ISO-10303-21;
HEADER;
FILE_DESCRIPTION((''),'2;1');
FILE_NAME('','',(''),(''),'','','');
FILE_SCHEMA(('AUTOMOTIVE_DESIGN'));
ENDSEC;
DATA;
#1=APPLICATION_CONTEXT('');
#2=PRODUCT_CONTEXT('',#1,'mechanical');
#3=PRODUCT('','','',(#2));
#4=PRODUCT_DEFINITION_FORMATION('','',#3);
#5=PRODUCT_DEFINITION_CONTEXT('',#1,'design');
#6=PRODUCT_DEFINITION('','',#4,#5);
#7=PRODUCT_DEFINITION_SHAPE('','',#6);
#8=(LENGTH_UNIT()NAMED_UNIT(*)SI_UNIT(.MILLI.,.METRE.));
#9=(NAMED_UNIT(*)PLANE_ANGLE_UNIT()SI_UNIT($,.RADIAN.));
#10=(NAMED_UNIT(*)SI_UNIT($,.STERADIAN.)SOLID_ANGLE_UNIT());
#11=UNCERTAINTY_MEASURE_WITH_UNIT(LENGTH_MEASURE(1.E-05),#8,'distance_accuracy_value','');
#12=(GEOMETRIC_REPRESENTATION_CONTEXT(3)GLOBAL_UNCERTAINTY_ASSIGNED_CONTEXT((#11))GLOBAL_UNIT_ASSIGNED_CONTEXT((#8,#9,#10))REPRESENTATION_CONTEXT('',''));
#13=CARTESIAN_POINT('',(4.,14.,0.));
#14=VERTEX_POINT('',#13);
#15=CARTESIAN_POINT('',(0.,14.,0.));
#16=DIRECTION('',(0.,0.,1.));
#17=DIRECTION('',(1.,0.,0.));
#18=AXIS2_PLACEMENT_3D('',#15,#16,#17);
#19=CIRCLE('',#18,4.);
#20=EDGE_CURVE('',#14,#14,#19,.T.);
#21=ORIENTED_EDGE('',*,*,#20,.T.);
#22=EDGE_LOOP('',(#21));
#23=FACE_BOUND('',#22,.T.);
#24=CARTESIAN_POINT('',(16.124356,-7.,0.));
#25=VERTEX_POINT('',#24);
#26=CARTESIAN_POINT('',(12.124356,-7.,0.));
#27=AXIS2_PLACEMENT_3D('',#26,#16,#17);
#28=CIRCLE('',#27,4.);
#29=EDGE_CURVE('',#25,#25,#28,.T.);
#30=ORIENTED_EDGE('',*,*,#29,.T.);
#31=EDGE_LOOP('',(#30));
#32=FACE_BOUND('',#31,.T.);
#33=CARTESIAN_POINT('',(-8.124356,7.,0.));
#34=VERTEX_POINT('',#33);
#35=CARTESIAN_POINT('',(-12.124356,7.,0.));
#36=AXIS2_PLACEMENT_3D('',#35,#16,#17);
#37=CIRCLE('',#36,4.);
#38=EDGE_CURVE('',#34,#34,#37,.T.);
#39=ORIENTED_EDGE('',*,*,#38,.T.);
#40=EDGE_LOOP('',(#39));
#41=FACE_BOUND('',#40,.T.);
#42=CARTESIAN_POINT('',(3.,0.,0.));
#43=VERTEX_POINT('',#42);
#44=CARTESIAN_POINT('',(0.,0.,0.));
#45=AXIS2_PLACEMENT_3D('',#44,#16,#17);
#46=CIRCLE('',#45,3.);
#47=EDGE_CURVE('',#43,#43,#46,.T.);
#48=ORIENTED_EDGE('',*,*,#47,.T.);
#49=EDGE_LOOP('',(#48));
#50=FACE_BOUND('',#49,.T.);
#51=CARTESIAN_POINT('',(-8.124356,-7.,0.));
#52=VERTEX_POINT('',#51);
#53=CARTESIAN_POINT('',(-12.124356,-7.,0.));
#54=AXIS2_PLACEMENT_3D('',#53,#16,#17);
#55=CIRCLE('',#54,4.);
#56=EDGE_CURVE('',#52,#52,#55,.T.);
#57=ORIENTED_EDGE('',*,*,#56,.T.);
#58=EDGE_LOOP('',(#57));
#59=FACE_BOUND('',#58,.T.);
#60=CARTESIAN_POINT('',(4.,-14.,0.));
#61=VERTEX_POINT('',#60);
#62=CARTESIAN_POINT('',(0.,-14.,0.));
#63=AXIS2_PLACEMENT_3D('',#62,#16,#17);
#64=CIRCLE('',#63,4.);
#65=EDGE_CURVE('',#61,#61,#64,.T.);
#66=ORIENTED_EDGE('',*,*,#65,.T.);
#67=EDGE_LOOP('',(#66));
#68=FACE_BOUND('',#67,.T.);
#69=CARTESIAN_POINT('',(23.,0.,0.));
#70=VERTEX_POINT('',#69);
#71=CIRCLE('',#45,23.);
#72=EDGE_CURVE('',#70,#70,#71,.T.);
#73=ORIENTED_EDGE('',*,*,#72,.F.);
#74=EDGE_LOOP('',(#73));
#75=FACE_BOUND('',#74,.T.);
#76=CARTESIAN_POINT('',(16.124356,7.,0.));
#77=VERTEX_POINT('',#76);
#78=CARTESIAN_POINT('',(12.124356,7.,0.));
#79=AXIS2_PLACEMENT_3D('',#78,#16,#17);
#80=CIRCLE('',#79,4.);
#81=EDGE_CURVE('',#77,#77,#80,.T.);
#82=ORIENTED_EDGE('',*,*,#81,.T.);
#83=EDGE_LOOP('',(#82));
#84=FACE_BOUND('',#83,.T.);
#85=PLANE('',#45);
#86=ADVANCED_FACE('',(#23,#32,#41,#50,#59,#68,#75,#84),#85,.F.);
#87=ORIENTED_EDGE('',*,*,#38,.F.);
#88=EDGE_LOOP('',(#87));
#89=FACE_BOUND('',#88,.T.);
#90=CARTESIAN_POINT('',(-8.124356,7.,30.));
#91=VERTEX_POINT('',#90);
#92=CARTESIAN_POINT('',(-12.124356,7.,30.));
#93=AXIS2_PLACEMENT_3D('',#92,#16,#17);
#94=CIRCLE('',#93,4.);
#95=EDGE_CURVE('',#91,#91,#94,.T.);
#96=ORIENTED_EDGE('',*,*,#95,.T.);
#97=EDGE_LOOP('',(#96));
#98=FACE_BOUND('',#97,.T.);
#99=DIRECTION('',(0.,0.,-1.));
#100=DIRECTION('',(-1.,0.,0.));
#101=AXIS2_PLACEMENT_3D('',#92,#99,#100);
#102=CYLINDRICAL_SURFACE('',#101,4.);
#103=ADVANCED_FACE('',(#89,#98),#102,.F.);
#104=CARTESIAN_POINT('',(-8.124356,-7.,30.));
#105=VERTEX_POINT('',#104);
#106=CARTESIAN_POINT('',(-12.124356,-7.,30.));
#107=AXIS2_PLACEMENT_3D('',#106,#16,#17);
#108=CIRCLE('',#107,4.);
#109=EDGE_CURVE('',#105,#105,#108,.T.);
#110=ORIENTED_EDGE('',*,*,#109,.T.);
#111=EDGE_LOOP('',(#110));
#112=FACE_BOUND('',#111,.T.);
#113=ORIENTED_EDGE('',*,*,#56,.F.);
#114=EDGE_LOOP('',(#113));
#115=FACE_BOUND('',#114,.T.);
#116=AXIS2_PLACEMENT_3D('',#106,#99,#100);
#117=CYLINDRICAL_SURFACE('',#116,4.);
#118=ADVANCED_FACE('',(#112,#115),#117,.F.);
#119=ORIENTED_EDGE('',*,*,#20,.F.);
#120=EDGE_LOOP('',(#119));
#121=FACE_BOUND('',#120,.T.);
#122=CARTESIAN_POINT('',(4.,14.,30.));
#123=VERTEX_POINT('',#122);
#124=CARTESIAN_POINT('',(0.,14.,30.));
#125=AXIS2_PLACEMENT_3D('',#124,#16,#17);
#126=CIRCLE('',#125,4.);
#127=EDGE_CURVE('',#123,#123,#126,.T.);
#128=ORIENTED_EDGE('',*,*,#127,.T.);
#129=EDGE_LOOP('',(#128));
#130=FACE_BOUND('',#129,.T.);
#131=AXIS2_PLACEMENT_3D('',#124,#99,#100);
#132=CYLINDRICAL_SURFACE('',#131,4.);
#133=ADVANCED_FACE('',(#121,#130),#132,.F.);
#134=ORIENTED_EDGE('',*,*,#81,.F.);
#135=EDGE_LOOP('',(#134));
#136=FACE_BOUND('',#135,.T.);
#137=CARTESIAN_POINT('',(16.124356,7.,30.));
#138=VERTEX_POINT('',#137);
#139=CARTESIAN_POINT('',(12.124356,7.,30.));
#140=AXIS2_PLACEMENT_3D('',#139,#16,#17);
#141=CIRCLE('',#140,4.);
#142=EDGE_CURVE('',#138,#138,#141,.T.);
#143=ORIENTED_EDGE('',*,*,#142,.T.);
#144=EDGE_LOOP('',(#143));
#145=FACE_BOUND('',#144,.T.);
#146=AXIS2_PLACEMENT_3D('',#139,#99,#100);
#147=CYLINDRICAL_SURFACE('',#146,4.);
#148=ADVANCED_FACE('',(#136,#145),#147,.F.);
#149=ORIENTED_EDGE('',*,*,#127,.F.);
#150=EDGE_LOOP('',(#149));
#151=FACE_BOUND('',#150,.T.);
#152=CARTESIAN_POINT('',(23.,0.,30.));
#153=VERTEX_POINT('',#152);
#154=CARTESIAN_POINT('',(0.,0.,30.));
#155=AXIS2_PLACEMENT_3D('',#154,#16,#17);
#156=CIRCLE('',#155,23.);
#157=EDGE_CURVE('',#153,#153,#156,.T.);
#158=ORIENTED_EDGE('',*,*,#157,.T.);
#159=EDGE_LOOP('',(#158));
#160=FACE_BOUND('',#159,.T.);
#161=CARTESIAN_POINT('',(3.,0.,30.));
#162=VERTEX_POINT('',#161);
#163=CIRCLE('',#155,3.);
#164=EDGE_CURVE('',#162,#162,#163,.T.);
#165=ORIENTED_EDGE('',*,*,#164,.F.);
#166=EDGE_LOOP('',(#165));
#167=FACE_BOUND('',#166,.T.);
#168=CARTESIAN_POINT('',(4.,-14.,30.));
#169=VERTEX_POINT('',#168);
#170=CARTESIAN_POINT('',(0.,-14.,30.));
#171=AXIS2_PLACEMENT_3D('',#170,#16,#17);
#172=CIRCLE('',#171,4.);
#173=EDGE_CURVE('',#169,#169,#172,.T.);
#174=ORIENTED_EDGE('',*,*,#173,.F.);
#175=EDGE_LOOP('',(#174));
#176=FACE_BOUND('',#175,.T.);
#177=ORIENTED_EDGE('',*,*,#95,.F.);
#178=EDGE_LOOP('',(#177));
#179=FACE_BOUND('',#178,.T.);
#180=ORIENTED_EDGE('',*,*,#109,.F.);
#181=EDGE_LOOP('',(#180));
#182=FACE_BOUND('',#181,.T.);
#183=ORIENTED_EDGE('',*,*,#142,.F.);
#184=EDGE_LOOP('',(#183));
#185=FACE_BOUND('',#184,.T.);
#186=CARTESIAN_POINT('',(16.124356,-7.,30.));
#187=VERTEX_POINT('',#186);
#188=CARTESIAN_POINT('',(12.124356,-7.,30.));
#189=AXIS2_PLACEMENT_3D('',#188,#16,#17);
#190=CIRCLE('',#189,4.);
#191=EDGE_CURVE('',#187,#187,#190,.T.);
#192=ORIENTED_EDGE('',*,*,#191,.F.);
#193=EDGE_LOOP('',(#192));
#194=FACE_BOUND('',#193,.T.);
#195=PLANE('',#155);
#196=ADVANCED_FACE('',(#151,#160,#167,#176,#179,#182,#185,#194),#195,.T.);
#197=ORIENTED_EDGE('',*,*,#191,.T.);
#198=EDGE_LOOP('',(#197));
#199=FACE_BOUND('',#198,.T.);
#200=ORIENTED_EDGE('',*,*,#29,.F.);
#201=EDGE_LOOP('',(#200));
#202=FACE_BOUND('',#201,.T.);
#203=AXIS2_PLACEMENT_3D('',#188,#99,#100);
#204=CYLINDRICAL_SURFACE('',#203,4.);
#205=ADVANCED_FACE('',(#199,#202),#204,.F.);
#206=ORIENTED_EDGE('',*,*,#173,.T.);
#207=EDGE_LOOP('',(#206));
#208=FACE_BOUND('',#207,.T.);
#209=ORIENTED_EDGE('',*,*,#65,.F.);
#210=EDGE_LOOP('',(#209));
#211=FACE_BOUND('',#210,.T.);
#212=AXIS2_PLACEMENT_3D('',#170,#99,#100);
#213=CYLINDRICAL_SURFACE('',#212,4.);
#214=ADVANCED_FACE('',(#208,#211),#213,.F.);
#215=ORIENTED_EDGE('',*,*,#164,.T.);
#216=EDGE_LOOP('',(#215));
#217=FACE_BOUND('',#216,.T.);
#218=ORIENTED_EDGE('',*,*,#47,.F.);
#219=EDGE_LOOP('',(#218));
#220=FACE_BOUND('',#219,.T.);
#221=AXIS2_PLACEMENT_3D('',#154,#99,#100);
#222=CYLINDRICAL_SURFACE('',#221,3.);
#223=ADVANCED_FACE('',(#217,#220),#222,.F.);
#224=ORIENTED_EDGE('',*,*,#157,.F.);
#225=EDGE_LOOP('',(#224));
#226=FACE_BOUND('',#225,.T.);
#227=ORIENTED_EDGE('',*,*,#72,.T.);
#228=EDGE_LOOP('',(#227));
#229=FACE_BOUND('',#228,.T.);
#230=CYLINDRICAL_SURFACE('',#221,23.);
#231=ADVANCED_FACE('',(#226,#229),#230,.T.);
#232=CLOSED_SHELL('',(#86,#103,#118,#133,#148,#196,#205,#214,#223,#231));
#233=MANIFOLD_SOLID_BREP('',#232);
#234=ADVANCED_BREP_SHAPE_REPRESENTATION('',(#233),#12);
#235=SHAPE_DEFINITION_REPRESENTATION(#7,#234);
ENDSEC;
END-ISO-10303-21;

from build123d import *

# Parameters (mm, degrees)
ESQUISSE1_R        = 23
ESQUISSE1_R_2      = 3
ESQUISSE1_R_3      = 4
BOSS_EXTRU_1_DEPTH = 30


with BuildPart() as part:
    # Esquisse1 → Boss.-Extru.1 (new body)
    with BuildSketch(Plane.XY):
        Circle(ESQUISSE1_R)
        Circle(ESQUISSE1_R_2, mode=Mode.SUBTRACT)
        with Locations((0, 14)):
            Circle(ESQUISSE1_R_3, mode=Mode.SUBTRACT)
        with Locations((12.124355653, 7)):
            Circle(ESQUISSE1_R_3, mode=Mode.SUBTRACT)
        with Locations((12.124355653, -7)):
            Circle(ESQUISSE1_R_3, mode=Mode.SUBTRACT)
        with Locations((0, -14)):
            Circle(ESQUISSE1_R_3, mode=Mode.SUBTRACT)
        with Locations((-12.124355653, -7)):
            Circle(ESQUISSE1_R_3, mode=Mode.SUBTRACT)
        with Locations((-12.124355653, 7)):
            Circle(ESQUISSE1_R_3, mode=Mode.SUBTRACT)
    extrude(amount=BOSS_EXTRU_1_DEPTH)


solid = part.part
